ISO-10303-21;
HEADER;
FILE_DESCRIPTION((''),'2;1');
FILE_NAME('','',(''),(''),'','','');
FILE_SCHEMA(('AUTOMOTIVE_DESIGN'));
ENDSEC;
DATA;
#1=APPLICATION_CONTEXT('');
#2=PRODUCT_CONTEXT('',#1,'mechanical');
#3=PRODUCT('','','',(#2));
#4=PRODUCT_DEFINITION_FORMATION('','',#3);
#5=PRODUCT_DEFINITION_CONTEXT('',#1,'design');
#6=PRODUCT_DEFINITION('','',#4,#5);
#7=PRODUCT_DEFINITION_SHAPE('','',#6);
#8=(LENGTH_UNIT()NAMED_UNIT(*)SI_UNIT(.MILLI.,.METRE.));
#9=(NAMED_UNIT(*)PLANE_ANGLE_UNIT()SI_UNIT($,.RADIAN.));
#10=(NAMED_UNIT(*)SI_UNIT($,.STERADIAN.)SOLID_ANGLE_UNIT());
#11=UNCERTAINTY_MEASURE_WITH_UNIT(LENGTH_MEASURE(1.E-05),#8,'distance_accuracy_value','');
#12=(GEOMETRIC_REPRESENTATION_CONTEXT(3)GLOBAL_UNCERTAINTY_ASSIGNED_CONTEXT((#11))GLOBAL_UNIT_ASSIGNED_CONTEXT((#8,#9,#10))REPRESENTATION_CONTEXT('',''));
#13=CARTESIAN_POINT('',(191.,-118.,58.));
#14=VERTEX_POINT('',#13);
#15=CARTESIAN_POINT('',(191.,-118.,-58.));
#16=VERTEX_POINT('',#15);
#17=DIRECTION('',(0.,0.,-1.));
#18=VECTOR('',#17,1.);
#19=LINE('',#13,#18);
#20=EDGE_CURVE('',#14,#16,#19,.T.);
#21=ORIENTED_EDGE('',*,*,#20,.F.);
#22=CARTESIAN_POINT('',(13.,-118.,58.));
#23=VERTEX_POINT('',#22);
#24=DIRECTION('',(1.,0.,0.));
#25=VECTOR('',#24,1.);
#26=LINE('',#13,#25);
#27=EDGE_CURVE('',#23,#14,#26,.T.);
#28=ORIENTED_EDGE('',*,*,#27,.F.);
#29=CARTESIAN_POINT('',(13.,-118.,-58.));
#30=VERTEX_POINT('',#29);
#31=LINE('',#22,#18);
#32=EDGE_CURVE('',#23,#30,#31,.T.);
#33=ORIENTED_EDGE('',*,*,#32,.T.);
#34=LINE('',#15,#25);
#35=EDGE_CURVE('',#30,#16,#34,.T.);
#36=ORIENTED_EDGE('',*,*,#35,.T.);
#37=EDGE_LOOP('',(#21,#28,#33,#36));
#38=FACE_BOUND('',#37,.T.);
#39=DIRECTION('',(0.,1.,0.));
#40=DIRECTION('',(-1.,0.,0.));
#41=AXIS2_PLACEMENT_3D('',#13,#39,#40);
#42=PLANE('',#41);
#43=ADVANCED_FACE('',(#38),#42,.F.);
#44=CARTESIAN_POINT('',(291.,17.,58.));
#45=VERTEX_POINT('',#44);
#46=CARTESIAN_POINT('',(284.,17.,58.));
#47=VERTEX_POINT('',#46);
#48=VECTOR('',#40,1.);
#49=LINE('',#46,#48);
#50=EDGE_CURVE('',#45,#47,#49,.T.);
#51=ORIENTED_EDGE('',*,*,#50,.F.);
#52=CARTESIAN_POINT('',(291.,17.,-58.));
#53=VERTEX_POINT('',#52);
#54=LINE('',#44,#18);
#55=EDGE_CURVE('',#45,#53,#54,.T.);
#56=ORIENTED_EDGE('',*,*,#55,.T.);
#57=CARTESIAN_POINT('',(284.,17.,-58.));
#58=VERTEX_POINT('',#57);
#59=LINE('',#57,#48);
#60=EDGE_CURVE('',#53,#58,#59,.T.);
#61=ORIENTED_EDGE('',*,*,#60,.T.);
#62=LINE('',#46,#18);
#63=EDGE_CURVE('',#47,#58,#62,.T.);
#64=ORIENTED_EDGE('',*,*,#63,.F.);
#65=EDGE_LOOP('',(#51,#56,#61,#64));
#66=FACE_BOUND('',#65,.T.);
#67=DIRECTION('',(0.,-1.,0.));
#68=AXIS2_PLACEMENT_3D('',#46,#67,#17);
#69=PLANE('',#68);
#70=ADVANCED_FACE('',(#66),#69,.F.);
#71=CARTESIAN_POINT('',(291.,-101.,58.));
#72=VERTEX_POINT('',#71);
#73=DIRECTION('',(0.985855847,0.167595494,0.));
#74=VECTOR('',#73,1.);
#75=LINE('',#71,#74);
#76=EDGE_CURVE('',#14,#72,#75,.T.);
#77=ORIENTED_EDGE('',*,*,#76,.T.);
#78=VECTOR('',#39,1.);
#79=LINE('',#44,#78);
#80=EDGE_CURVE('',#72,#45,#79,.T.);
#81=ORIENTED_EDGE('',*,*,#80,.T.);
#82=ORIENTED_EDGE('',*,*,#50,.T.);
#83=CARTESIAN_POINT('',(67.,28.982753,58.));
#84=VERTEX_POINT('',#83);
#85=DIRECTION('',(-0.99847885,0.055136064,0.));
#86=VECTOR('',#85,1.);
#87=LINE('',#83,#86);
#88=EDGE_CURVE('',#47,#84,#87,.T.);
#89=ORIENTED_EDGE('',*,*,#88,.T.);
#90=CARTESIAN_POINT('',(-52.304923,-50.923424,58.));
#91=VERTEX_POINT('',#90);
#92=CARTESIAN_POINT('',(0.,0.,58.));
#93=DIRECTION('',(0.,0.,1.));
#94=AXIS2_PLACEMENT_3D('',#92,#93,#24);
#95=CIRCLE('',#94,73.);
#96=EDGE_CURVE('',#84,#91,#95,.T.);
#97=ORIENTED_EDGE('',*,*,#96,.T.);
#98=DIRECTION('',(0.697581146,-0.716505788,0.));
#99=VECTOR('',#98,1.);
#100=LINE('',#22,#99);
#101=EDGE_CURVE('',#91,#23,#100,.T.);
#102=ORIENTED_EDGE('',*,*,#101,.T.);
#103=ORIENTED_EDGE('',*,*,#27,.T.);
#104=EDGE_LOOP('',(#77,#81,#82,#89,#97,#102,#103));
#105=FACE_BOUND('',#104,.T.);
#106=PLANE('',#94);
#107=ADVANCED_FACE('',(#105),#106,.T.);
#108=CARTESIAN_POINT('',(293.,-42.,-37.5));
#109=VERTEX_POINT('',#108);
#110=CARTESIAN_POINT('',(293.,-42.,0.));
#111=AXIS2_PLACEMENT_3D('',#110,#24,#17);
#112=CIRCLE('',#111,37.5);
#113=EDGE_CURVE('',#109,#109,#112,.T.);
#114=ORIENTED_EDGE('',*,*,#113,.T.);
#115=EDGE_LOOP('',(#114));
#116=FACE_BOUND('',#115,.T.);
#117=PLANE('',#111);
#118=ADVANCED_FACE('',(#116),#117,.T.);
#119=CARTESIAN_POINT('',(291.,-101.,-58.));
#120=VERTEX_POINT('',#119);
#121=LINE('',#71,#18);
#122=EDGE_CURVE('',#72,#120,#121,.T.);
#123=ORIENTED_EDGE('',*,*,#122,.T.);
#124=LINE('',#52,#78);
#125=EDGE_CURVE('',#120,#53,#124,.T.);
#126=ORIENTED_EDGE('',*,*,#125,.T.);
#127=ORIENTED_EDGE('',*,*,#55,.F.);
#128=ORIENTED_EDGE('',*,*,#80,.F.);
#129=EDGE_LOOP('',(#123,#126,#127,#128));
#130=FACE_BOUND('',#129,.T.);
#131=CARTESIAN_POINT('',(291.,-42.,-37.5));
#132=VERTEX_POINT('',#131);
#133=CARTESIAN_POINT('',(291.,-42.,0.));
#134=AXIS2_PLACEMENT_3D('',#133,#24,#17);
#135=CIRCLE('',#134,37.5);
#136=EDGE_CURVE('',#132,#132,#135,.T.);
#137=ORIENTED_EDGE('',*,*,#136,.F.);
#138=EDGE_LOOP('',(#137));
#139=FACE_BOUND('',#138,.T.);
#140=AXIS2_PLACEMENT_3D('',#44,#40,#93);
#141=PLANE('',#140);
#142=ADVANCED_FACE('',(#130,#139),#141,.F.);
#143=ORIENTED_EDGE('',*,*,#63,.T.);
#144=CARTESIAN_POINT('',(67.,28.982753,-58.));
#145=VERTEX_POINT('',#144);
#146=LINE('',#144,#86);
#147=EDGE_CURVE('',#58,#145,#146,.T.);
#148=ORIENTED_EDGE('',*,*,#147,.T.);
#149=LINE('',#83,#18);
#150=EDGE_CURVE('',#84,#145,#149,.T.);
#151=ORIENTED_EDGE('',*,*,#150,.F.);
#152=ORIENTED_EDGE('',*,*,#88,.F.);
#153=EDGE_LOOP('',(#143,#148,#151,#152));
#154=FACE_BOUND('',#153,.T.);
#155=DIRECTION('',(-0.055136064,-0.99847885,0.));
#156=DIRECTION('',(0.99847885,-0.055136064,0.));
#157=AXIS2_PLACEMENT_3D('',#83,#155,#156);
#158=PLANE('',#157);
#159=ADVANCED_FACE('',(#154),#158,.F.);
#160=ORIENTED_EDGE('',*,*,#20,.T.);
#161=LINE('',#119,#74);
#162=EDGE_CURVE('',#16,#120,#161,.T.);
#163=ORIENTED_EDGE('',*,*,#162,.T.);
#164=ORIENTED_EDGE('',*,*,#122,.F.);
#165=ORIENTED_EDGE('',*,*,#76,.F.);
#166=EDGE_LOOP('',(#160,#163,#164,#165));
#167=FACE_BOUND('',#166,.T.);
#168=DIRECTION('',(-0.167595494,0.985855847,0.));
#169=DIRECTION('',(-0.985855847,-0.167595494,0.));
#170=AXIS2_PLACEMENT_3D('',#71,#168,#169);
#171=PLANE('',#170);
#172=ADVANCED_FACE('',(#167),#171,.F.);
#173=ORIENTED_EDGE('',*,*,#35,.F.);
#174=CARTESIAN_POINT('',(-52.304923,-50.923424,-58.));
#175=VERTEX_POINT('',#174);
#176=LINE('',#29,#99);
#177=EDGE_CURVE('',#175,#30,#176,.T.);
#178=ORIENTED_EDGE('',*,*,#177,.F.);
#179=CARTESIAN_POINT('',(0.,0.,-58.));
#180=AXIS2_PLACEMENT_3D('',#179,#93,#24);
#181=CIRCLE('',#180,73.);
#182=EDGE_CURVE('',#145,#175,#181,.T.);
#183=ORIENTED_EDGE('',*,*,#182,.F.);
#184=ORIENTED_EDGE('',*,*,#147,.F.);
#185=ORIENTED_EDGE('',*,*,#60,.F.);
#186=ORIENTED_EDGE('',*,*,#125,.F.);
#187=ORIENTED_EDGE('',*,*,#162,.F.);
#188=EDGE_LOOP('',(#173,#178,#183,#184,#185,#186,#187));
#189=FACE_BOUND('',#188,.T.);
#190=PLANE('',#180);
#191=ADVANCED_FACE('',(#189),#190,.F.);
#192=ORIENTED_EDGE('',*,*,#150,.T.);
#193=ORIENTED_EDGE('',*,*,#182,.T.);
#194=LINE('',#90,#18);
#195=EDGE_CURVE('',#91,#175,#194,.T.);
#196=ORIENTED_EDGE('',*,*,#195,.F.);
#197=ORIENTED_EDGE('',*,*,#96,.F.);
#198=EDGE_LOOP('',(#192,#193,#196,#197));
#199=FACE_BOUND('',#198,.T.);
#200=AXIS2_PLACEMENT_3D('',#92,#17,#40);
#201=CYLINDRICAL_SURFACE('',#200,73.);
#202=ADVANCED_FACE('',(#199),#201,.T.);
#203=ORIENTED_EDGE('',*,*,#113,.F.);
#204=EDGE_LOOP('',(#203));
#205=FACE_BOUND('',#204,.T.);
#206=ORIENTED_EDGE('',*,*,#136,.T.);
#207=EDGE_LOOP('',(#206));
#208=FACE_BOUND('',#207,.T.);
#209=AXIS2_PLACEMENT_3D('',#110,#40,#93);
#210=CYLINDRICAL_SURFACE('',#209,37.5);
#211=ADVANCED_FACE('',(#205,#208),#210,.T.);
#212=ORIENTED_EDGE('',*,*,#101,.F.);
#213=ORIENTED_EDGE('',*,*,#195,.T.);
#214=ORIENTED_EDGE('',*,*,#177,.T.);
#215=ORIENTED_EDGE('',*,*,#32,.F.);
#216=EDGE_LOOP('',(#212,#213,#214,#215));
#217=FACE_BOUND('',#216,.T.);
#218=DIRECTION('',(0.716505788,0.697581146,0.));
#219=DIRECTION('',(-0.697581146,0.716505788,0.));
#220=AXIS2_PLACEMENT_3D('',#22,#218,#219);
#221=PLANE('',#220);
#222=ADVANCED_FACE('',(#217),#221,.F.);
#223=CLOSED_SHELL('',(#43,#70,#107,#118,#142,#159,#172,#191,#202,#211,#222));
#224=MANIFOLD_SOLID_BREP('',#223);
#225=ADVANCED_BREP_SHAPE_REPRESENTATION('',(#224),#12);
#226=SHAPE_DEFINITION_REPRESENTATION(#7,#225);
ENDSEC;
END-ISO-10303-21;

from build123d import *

# Parameters (mm, degrees)
BOSS_EXTRUDE1_DEPTH = 58
SKETCH2_R           = 37.5
BOSS_EXTRUDE2_DEPTH = 2


with BuildPart() as part:
    # Sketch1 → Boss-Extrude1 (new, symmetric)
    with BuildSketch(Plane.XY):
        with BuildLine():
            Line((67, 28.982753492), (284, 17))
            Line((284, 17), (291, 17))
            Line((291, 17), (291, -101))
            Line((291, -101), (191, -118))
            Line((191, -118), (13, -118))
            Line((13, -118), (-52.304922539, -50.92342367))
            ThreePointArc((-52.304922539, -50.92342367), (-40.62309211, 60.652818462), (67, 28.982753492))
        make_face()
    extrude(amount=BOSS_EXTRUDE1_DEPTH, both=True)

    # Sketch2 → Boss-Extrude2 (add)
    with BuildSketch(Plane(origin=(291, 0, 0), x_dir=(0, 0, -1), z_dir=(1, 0, 0))):
        with Locations((0, -42)):
            Circle(SKETCH2_R)
    extrude(amount=BOSS_EXTRUDE2_DEPTH)


solid = part.part
